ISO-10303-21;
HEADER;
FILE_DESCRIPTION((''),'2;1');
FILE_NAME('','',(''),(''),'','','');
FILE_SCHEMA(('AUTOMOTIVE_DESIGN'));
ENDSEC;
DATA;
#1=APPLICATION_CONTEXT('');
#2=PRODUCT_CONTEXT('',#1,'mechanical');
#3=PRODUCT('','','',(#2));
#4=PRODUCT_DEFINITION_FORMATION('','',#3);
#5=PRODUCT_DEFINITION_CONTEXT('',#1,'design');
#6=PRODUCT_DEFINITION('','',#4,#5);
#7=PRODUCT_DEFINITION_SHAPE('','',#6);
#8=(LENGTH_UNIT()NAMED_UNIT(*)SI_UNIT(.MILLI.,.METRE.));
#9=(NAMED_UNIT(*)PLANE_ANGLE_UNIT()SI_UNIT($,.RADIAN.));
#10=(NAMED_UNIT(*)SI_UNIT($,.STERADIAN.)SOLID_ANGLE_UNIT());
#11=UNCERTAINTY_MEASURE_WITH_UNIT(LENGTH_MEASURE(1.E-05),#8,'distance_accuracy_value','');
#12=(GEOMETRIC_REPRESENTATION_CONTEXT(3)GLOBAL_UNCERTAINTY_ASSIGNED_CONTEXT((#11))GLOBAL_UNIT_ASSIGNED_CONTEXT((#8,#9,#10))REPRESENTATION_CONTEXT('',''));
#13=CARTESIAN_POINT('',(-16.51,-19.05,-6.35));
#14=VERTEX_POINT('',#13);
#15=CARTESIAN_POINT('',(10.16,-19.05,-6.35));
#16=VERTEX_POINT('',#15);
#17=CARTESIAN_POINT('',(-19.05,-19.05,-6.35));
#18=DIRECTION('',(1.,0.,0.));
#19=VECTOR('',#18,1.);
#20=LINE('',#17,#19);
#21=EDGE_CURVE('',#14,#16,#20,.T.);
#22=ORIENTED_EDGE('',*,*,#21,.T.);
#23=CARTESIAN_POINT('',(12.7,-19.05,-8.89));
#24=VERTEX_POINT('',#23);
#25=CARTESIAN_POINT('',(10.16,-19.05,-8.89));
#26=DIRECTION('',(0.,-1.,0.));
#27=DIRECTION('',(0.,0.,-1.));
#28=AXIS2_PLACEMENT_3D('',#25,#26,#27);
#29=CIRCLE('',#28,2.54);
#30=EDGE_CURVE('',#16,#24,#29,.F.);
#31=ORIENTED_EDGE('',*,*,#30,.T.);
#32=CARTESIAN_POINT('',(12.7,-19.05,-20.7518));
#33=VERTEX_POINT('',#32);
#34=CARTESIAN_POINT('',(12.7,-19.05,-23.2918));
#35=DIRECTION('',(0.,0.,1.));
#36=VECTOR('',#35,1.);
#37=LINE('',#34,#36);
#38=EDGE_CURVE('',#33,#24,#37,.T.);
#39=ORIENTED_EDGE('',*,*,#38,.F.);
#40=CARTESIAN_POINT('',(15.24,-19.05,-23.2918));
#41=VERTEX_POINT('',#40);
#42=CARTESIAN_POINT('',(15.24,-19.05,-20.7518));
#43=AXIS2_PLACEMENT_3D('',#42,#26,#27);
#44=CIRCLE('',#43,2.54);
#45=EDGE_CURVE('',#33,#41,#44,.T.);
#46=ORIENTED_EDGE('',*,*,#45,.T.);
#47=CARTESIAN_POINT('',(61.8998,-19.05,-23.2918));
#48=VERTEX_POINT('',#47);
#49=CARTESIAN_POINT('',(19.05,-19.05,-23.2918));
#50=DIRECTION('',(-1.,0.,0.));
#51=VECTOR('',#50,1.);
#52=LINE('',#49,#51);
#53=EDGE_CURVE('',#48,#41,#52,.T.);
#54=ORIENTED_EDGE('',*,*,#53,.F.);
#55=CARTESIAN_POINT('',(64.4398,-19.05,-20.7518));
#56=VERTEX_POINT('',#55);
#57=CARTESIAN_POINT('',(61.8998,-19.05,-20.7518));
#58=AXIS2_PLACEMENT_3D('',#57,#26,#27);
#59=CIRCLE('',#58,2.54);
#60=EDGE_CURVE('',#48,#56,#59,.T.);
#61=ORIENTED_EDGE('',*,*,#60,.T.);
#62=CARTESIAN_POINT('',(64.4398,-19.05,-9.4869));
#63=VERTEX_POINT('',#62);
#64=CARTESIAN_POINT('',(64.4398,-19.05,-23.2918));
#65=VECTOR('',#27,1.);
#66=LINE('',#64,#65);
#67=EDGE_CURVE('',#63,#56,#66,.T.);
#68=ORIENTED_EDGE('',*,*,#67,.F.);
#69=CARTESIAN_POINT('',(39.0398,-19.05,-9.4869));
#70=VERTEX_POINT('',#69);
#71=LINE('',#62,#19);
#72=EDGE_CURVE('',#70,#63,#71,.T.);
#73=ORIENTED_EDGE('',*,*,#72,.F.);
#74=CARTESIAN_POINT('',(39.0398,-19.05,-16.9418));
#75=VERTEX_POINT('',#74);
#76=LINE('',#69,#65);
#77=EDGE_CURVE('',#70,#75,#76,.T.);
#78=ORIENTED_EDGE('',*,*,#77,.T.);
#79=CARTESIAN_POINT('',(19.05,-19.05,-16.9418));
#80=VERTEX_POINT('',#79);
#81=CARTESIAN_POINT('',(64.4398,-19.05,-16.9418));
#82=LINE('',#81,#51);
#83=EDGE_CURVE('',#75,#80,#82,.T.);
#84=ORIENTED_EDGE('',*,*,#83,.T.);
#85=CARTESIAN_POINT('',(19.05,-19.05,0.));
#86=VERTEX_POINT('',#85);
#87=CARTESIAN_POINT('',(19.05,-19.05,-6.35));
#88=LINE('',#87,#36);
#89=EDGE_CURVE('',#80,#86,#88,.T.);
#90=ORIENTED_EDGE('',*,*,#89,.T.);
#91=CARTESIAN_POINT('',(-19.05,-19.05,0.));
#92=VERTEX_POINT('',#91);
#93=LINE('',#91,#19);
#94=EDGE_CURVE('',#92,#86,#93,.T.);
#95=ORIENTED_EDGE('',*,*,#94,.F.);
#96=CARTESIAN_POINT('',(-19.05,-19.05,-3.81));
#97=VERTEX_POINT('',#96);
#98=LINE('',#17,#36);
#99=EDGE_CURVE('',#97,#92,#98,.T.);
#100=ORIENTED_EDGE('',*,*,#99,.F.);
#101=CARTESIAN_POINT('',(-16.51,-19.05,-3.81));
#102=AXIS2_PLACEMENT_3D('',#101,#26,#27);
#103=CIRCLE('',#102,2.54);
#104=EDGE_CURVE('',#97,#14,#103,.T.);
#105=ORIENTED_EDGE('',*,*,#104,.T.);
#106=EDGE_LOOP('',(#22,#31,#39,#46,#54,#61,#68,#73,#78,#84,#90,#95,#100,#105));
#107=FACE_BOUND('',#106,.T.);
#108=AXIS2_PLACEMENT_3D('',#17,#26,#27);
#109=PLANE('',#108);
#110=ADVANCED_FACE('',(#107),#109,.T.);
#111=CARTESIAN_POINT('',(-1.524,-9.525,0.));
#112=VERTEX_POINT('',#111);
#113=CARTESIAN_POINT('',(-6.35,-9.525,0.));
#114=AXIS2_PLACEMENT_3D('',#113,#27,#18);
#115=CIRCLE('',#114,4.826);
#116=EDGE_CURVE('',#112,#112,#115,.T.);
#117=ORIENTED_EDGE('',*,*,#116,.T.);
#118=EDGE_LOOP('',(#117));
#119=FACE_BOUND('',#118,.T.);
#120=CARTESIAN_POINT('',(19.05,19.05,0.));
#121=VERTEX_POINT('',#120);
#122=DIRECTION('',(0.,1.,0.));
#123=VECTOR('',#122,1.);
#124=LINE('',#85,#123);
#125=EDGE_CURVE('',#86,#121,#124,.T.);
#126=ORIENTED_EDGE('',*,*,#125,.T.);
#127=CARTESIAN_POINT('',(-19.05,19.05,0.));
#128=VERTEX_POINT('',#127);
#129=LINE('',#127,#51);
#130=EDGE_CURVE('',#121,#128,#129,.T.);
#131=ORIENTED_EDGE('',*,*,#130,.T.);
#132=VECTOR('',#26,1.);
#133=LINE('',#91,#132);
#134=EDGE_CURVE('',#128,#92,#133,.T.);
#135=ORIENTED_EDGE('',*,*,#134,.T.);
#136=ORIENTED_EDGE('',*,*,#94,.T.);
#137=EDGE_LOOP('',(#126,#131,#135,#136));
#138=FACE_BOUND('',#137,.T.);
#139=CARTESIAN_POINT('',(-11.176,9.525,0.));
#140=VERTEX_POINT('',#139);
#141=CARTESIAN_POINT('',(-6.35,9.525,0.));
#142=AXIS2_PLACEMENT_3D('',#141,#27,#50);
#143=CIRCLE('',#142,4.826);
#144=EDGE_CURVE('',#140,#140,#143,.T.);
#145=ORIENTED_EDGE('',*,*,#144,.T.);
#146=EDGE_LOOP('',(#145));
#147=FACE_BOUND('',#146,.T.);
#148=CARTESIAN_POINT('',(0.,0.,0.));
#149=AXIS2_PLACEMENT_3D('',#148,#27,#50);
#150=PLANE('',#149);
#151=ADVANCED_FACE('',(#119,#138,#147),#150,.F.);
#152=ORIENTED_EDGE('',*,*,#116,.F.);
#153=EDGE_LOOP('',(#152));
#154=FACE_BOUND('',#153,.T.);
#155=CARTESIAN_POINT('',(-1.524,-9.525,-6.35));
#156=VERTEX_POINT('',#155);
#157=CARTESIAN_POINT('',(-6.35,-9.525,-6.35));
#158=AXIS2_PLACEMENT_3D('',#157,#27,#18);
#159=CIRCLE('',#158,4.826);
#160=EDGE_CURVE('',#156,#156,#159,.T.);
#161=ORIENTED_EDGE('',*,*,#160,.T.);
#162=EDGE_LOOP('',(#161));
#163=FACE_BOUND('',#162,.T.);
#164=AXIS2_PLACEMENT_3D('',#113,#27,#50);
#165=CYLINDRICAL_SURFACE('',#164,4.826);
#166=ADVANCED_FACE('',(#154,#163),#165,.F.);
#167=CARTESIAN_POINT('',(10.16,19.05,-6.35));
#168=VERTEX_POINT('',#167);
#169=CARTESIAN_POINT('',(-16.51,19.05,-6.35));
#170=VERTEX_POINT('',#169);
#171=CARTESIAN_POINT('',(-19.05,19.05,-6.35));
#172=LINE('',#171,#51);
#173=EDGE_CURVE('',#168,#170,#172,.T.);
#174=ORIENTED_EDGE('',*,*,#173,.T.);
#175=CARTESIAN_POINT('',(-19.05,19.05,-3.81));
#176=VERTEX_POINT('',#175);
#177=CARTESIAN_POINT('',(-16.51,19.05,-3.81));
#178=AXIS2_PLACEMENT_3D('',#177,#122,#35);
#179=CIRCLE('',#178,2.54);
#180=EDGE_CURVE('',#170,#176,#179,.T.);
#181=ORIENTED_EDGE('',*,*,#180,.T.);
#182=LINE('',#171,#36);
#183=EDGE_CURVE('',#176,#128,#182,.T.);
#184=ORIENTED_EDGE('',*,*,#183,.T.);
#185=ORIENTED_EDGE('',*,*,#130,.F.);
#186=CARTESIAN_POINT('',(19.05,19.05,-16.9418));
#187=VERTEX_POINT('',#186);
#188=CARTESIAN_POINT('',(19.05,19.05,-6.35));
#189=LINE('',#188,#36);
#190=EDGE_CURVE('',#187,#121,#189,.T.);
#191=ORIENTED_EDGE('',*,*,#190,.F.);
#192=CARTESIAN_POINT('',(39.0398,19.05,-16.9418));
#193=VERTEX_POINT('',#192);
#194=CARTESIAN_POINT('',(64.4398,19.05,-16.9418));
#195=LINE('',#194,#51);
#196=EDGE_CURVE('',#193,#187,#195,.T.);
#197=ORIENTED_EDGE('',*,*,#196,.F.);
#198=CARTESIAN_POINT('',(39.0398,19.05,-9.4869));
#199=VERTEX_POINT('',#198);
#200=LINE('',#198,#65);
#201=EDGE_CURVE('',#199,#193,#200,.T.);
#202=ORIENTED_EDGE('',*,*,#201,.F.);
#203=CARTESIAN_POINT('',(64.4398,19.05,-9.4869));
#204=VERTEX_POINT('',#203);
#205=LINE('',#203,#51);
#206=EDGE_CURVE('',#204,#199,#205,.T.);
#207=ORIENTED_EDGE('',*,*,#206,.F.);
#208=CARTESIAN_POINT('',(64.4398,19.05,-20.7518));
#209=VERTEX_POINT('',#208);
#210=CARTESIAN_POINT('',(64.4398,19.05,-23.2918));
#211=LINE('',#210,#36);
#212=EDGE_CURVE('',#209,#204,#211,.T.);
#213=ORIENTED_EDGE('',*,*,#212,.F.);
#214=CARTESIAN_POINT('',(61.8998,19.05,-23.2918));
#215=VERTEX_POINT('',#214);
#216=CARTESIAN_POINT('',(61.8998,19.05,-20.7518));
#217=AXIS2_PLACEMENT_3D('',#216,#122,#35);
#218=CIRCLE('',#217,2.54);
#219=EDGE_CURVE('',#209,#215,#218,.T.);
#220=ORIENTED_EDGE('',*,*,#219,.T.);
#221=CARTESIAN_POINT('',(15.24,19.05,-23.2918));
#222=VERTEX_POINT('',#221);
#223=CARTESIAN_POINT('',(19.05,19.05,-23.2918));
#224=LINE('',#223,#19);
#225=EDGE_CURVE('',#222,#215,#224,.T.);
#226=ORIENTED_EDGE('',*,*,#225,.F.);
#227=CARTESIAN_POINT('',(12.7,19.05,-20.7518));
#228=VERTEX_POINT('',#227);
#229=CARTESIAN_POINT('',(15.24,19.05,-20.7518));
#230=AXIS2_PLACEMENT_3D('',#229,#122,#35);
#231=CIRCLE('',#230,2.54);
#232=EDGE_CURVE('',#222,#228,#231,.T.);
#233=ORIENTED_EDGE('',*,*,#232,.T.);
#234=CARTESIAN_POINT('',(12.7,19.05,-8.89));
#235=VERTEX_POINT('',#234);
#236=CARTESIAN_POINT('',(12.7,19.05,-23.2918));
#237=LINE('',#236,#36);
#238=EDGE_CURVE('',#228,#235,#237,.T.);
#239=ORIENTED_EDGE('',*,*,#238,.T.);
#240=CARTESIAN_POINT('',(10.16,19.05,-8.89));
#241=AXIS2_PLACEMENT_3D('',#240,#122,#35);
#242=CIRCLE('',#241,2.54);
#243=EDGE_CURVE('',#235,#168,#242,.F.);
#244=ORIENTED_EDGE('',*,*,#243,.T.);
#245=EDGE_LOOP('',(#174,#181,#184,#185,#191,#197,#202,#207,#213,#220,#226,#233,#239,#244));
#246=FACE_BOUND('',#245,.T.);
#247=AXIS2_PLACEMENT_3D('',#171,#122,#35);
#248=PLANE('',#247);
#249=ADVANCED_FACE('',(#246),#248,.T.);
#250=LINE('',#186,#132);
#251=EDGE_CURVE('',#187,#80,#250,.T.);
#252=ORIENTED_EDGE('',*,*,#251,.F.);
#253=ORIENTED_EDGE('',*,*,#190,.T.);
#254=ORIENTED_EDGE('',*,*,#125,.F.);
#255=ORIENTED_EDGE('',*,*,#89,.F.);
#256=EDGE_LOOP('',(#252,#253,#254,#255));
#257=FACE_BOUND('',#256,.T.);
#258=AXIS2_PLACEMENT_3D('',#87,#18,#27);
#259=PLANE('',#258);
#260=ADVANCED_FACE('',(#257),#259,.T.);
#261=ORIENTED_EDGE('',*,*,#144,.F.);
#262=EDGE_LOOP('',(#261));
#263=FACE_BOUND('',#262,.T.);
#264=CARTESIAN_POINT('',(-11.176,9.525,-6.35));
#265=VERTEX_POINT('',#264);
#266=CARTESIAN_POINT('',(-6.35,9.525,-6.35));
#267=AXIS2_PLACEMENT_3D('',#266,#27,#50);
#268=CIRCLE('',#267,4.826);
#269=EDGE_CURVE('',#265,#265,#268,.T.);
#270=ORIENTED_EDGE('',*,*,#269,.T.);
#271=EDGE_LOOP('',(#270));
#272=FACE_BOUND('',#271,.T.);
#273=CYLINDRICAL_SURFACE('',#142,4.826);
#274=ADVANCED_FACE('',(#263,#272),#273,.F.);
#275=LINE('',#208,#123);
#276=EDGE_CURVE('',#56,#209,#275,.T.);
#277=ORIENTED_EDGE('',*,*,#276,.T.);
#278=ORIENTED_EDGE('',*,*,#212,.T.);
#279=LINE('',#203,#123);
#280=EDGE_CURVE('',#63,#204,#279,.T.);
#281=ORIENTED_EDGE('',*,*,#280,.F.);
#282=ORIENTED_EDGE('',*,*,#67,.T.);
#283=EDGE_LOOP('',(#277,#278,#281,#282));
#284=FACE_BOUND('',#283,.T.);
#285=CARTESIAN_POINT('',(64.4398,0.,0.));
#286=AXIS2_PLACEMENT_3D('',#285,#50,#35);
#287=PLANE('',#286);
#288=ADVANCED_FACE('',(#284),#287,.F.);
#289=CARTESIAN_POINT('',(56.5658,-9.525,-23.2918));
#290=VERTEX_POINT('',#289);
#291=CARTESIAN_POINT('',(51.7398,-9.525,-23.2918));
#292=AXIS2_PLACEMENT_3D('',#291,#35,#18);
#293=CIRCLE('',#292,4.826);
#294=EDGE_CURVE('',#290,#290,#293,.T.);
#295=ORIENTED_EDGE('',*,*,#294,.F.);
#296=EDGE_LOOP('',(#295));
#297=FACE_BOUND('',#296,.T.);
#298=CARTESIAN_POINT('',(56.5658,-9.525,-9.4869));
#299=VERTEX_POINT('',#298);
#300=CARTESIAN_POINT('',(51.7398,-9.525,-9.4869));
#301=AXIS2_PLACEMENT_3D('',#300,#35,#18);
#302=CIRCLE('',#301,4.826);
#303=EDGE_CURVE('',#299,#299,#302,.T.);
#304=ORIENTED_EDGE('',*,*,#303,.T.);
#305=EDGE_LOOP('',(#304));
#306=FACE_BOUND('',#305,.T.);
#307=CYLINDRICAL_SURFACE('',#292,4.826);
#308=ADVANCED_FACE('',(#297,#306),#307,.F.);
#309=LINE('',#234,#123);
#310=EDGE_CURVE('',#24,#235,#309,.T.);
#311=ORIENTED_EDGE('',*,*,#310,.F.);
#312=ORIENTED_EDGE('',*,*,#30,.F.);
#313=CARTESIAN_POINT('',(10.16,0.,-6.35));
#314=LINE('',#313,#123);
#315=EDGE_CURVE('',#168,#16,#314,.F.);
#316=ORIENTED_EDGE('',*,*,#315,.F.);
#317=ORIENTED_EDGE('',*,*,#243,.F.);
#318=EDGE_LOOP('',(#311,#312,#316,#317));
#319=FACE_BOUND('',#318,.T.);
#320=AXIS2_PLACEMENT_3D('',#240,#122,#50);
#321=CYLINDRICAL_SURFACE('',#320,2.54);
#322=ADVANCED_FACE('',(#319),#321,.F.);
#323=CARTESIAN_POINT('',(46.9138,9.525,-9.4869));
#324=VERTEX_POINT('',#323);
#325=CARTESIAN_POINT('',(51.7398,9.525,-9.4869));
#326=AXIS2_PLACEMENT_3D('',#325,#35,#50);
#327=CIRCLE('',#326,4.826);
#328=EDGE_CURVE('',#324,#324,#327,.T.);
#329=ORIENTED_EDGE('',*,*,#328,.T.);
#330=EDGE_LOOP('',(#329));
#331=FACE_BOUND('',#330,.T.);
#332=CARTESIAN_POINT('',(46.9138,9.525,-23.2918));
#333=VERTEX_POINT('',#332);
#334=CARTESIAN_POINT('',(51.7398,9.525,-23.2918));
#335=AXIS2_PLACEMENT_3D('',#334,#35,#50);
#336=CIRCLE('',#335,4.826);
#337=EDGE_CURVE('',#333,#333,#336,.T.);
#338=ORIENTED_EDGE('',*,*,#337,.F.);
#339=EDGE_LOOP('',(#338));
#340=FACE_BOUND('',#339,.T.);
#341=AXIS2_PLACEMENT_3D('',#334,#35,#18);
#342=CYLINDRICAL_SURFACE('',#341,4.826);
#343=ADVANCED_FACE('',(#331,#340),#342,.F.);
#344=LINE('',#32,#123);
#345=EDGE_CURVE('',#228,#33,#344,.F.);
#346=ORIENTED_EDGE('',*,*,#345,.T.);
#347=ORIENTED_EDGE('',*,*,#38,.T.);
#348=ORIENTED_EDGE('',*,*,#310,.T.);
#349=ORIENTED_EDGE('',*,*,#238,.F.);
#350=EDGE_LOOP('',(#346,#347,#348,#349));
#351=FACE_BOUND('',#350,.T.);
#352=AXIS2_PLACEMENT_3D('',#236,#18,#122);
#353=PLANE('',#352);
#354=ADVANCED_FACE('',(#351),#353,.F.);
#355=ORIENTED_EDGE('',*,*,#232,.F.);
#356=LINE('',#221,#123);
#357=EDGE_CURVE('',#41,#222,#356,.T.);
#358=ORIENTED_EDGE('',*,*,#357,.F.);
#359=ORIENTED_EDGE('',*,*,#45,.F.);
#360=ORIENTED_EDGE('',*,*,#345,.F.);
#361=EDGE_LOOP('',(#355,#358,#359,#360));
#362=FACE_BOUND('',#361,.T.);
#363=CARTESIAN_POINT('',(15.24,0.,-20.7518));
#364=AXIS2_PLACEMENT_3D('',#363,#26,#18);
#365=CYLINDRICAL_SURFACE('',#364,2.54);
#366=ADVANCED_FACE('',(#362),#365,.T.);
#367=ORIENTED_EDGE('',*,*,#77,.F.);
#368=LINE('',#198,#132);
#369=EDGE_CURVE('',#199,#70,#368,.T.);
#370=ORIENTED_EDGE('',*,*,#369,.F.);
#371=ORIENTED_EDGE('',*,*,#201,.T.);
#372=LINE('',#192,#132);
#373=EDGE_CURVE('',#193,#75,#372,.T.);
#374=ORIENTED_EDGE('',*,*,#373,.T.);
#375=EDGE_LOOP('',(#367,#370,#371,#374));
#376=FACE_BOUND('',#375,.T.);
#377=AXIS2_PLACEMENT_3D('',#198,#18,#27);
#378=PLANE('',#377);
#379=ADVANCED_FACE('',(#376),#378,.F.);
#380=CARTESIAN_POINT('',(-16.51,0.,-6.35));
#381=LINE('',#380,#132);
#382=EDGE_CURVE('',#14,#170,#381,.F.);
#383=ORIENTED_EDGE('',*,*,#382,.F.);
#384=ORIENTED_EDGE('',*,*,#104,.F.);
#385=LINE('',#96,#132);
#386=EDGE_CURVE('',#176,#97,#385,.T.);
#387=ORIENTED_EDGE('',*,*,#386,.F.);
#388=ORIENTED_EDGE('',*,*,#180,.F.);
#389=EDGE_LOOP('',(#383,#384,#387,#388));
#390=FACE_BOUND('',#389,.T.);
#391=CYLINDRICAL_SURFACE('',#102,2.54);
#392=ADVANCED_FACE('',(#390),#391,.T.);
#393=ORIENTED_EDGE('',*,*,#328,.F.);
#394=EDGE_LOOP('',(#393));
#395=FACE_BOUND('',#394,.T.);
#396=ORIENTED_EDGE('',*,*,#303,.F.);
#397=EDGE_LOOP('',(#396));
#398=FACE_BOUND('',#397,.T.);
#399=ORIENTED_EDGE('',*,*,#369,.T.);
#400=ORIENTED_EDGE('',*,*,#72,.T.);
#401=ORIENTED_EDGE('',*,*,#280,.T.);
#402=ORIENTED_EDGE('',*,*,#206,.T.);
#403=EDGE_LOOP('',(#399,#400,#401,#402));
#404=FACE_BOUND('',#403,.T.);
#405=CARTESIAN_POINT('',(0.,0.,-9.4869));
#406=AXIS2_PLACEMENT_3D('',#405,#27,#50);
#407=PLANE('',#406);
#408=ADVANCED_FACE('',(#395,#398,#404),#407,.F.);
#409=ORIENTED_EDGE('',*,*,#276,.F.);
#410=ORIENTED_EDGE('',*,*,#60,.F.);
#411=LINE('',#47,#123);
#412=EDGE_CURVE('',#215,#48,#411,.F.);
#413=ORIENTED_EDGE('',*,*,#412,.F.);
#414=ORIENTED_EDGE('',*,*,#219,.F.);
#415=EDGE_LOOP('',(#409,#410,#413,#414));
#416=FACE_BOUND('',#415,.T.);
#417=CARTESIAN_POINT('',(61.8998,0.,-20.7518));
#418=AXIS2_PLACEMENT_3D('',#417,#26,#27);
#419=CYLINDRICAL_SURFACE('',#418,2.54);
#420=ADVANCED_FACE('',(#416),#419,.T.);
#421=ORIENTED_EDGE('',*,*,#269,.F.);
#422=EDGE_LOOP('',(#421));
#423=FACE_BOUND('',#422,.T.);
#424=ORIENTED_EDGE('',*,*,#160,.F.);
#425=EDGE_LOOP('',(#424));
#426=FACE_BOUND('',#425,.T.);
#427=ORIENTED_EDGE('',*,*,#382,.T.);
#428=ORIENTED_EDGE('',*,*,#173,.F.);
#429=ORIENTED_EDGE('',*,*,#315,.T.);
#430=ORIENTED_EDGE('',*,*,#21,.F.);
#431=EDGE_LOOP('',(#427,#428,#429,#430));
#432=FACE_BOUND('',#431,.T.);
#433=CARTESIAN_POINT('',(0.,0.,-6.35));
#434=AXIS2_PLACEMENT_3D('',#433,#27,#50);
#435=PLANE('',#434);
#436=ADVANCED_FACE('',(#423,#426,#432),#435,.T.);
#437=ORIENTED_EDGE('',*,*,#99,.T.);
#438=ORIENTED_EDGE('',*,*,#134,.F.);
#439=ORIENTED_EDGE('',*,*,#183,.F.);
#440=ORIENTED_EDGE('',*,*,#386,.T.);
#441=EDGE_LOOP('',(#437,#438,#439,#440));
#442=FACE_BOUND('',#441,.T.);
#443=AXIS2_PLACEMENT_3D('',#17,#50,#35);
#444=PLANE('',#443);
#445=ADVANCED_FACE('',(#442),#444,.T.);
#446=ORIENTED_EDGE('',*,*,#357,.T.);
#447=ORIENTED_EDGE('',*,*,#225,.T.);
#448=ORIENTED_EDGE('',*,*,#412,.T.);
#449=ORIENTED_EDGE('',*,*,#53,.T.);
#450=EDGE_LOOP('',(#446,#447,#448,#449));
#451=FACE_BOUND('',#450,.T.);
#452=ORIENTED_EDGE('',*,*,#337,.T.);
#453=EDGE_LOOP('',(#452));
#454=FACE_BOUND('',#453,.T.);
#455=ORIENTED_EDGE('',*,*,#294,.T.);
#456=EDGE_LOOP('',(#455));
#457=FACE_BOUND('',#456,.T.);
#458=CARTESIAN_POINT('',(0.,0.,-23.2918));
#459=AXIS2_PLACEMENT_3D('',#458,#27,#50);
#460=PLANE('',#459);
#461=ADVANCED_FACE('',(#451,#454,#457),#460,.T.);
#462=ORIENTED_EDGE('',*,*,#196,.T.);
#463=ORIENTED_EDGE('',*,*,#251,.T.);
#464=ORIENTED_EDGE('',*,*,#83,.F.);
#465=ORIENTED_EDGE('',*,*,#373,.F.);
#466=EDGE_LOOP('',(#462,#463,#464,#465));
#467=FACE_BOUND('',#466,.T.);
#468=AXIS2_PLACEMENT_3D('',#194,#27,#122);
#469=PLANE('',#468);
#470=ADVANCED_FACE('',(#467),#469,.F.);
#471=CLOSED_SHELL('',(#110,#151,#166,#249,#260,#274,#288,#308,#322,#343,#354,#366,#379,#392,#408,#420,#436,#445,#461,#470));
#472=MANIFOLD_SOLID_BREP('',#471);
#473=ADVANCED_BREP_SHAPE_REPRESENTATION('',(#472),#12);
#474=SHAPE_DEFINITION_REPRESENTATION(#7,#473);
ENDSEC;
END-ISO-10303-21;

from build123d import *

# Parameters (mm, degrees)
SKETCH1_W           = 38.1
SKETCH1_H           = 38.1
BOSS_EXTRUDE1_DEPTH = 6.35
SKETCH2_W           = 6.35
SKETCH2_H           = 38.1
BOSS_EXTRUDE2_DEPTH = 16.9418
SKETCH4_W           = 6.35
SKETCH4_H           = 38.1
BOSS_EXTRUDE3_DEPTH = 45.3898
SKETCH5_W           = 25.4
SKETCH5_H           = 38.1
BOSS_EXTRUDE4_DEPTH = 7.4549
SKETCH6_R           = 4.826
CUT_EXTRUDE1_DEPTH  = 70.299458232
SKETCH8_R           = 4.826
CUT_EXTRUDE2_DEPTH  = 69.600040729
FILLET7_R           = 2.54


with BuildPart() as part:
    # Sketch1 → Boss-Extrude1 (new body)
    with BuildSketch(Plane.XY):
        Rectangle(SKETCH1_W, SKETCH1_H)
    extrude(amount=-BOSS_EXTRUDE1_DEPTH)

    # Sketch2 → Boss-Extrude2 (add)
    with BuildSketch(Plane(origin=(0, 0, -6.35), x_dir=(-1, 0, 0), z_dir=(0, 0, -1))):
        with Locations((-15.875, 0)):
            Rectangle(SKETCH2_W, SKETCH2_H)
    extrude(amount=BOSS_EXTRUDE2_DEPTH)

    # Sketch4 → Boss-Extrude3 (add)
    with BuildSketch(Plane(origin=(19.05, 0, 0), x_dir=(0, 0, -1), z_dir=(1, 0, 0))):
        with Locations((20.1168, 0)):
            Rectangle(SKETCH4_W, SKETCH4_H)
    extrude(amount=BOSS_EXTRUDE3_DEPTH)

    # Sketch5 → Boss-Extrude4 (add)
    with BuildSketch(Plane.XY.offset(-16.9418)):
        with Locations((51.7398, 0)):
            Rectangle(SKETCH5_W, SKETCH5_H)
    extrude(amount=BOSS_EXTRUDE4_DEPTH)

    # Sketch6 → Cut-Extrude1 (cut, through all)
    with BuildSketch(Plane(origin=(0, 0, -6.35), x_dir=(-1, 0, 0), z_dir=(0, 0, -1))):
        with Locations((6.35, 9.525)):
            Circle(SKETCH6_R)
        with Locations(Location((6.35, -9.525, 0), (0, 0, 180))):
            Circle(SKETCH6_R)
    extrude(amount=-CUT_EXTRUDE1_DEPTH, mode=Mode.SUBTRACT)

    # Sketch8 → Cut-Extrude2 (cut, through all)
    with BuildSketch(Plane.XY.offset(-9.4869)):
        with Locations((51.7398, -9.525)):
            Circle(SKETCH8_R)
        with Locations(Location((51.7398, 9.525, 0), (0, 0, 180))):
            Circle(SKETCH8_R)
    extrude(amount=-CUT_EXTRUDE2_DEPTH, mode=Mode.SUBTRACT)

    # Fillet7
    fillet7_edges = [part.edges().sort_by_distance(p)[0] for p in [
        (-19.05, 0, -6.35),
        (12.7, 0, -6.35),
        (12.7, 0, -23.2918),
        (64.4398, 0, -23.2918),
    ]]
    fillet(fillet7_edges, radius=FILLET7_R)


solid = part.part
